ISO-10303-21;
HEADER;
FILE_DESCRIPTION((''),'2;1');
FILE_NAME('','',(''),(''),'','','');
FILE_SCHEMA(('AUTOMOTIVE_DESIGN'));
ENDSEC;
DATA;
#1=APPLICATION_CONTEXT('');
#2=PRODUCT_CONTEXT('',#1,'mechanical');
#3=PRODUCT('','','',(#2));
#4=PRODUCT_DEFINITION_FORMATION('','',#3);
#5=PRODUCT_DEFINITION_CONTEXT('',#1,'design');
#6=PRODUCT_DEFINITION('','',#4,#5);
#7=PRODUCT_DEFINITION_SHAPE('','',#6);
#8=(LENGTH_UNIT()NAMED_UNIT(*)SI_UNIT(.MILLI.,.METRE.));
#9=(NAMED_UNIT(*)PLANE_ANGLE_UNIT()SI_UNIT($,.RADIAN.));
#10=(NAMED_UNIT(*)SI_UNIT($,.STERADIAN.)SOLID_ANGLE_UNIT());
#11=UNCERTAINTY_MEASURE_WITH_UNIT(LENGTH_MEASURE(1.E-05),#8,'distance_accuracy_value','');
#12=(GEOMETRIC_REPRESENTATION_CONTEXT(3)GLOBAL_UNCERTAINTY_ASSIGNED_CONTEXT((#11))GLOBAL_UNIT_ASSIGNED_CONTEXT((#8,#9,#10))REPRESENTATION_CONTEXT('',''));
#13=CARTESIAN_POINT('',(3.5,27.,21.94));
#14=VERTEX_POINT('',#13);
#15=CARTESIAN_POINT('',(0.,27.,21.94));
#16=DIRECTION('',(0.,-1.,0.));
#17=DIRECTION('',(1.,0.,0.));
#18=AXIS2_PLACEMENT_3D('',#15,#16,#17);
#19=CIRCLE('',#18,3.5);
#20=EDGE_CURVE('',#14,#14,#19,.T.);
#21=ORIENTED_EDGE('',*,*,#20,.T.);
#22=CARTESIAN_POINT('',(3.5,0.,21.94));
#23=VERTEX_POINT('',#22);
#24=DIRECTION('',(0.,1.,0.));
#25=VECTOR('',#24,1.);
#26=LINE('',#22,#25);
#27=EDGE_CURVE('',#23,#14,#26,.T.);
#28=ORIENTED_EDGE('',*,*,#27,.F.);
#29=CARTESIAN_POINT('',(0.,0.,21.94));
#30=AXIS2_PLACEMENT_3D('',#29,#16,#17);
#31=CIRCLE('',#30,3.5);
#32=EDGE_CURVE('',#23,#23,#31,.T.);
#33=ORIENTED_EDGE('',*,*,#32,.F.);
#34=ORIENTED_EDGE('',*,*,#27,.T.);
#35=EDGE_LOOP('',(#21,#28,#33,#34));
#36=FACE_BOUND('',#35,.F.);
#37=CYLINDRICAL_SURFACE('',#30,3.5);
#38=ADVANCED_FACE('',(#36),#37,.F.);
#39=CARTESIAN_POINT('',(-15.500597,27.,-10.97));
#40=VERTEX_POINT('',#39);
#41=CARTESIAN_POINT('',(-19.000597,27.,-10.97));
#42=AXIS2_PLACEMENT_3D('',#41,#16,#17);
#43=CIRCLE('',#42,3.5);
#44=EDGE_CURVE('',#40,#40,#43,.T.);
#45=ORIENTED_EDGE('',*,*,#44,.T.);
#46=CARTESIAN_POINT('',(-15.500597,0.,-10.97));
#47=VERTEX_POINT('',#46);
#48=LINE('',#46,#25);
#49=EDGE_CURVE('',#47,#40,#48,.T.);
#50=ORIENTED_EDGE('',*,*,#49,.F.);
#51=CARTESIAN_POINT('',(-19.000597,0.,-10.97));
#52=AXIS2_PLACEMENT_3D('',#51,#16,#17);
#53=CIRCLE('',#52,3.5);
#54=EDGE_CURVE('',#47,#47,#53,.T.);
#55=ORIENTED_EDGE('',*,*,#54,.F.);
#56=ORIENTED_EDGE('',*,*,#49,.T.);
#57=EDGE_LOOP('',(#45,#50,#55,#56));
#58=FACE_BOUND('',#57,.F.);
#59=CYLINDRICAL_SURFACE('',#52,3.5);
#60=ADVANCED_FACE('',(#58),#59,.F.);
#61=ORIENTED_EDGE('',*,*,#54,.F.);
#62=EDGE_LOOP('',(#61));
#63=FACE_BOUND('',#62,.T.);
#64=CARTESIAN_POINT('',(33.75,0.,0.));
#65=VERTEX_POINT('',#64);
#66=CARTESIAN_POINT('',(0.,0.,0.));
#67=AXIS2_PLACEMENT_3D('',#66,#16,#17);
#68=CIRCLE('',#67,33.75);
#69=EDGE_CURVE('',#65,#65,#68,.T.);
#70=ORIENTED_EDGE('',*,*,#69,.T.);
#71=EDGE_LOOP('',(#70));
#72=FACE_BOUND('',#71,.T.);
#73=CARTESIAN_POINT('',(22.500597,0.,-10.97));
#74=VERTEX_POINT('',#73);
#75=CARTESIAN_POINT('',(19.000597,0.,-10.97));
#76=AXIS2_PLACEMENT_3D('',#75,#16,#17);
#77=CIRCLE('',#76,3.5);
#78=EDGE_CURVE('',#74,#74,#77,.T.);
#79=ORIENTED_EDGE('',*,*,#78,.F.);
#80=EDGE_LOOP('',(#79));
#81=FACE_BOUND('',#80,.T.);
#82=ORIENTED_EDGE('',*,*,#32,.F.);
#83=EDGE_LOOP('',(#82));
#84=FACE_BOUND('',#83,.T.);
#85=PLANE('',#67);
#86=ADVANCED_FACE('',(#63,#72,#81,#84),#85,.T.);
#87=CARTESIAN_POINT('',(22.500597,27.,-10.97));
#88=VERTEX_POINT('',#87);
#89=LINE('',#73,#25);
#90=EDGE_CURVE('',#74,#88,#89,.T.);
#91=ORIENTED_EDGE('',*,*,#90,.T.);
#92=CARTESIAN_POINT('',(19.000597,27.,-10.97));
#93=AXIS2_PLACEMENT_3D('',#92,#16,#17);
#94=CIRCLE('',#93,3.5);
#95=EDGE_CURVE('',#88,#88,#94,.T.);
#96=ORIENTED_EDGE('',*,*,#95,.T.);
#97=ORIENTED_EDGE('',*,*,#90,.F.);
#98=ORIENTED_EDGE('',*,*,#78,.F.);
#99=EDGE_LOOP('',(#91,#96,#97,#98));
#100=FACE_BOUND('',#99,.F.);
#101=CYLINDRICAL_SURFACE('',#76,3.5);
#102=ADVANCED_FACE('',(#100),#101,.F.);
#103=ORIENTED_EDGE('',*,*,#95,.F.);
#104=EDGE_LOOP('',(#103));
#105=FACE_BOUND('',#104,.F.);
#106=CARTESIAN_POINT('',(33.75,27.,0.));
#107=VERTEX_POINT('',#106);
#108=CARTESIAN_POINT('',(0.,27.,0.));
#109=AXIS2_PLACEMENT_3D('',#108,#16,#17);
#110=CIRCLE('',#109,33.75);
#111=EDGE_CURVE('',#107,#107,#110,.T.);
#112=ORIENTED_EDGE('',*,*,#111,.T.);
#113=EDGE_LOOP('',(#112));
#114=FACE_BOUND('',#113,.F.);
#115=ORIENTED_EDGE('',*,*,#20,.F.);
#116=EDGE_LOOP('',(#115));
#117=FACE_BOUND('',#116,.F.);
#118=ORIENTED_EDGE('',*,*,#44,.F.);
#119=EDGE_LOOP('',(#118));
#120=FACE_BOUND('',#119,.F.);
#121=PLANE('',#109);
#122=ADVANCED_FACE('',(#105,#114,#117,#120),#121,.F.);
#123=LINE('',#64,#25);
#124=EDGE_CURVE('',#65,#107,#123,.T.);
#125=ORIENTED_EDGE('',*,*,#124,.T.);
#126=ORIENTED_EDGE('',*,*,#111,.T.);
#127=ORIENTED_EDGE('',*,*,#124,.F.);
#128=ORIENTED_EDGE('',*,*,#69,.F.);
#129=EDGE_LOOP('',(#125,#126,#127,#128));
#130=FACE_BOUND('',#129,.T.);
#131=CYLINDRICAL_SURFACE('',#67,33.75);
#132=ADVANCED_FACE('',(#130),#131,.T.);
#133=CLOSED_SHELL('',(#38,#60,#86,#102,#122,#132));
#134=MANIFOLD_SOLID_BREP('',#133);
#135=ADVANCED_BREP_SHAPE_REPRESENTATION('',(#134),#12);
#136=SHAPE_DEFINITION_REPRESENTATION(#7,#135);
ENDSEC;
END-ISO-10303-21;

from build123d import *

# Parameters (mm, degrees)
F0_R     = 33.75
F1_DEPTH = 27
F2_R     = 3.5
F3_DEPTH = 27


with BuildPart() as f1:
    # F0 (on Front) → F1 (new body)
    with BuildSketch(Plane.XZ):
        Circle(F0_R)
    extrude(amount=-F1_DEPTH)

    # F2 (on face) → F3 (cut)
    with BuildSketch(Plane.XZ):
        with Locations((0, 21.94)):
            Circle(F2_R)
        with Locations((-19.000597, -10.97)):
            Circle(F2_R)
        with Locations((19.000597, -10.97)):
            Circle(F2_R)
    extrude(amount=-F3_DEPTH, mode=Mode.SUBTRACT)


solid = f1.part
